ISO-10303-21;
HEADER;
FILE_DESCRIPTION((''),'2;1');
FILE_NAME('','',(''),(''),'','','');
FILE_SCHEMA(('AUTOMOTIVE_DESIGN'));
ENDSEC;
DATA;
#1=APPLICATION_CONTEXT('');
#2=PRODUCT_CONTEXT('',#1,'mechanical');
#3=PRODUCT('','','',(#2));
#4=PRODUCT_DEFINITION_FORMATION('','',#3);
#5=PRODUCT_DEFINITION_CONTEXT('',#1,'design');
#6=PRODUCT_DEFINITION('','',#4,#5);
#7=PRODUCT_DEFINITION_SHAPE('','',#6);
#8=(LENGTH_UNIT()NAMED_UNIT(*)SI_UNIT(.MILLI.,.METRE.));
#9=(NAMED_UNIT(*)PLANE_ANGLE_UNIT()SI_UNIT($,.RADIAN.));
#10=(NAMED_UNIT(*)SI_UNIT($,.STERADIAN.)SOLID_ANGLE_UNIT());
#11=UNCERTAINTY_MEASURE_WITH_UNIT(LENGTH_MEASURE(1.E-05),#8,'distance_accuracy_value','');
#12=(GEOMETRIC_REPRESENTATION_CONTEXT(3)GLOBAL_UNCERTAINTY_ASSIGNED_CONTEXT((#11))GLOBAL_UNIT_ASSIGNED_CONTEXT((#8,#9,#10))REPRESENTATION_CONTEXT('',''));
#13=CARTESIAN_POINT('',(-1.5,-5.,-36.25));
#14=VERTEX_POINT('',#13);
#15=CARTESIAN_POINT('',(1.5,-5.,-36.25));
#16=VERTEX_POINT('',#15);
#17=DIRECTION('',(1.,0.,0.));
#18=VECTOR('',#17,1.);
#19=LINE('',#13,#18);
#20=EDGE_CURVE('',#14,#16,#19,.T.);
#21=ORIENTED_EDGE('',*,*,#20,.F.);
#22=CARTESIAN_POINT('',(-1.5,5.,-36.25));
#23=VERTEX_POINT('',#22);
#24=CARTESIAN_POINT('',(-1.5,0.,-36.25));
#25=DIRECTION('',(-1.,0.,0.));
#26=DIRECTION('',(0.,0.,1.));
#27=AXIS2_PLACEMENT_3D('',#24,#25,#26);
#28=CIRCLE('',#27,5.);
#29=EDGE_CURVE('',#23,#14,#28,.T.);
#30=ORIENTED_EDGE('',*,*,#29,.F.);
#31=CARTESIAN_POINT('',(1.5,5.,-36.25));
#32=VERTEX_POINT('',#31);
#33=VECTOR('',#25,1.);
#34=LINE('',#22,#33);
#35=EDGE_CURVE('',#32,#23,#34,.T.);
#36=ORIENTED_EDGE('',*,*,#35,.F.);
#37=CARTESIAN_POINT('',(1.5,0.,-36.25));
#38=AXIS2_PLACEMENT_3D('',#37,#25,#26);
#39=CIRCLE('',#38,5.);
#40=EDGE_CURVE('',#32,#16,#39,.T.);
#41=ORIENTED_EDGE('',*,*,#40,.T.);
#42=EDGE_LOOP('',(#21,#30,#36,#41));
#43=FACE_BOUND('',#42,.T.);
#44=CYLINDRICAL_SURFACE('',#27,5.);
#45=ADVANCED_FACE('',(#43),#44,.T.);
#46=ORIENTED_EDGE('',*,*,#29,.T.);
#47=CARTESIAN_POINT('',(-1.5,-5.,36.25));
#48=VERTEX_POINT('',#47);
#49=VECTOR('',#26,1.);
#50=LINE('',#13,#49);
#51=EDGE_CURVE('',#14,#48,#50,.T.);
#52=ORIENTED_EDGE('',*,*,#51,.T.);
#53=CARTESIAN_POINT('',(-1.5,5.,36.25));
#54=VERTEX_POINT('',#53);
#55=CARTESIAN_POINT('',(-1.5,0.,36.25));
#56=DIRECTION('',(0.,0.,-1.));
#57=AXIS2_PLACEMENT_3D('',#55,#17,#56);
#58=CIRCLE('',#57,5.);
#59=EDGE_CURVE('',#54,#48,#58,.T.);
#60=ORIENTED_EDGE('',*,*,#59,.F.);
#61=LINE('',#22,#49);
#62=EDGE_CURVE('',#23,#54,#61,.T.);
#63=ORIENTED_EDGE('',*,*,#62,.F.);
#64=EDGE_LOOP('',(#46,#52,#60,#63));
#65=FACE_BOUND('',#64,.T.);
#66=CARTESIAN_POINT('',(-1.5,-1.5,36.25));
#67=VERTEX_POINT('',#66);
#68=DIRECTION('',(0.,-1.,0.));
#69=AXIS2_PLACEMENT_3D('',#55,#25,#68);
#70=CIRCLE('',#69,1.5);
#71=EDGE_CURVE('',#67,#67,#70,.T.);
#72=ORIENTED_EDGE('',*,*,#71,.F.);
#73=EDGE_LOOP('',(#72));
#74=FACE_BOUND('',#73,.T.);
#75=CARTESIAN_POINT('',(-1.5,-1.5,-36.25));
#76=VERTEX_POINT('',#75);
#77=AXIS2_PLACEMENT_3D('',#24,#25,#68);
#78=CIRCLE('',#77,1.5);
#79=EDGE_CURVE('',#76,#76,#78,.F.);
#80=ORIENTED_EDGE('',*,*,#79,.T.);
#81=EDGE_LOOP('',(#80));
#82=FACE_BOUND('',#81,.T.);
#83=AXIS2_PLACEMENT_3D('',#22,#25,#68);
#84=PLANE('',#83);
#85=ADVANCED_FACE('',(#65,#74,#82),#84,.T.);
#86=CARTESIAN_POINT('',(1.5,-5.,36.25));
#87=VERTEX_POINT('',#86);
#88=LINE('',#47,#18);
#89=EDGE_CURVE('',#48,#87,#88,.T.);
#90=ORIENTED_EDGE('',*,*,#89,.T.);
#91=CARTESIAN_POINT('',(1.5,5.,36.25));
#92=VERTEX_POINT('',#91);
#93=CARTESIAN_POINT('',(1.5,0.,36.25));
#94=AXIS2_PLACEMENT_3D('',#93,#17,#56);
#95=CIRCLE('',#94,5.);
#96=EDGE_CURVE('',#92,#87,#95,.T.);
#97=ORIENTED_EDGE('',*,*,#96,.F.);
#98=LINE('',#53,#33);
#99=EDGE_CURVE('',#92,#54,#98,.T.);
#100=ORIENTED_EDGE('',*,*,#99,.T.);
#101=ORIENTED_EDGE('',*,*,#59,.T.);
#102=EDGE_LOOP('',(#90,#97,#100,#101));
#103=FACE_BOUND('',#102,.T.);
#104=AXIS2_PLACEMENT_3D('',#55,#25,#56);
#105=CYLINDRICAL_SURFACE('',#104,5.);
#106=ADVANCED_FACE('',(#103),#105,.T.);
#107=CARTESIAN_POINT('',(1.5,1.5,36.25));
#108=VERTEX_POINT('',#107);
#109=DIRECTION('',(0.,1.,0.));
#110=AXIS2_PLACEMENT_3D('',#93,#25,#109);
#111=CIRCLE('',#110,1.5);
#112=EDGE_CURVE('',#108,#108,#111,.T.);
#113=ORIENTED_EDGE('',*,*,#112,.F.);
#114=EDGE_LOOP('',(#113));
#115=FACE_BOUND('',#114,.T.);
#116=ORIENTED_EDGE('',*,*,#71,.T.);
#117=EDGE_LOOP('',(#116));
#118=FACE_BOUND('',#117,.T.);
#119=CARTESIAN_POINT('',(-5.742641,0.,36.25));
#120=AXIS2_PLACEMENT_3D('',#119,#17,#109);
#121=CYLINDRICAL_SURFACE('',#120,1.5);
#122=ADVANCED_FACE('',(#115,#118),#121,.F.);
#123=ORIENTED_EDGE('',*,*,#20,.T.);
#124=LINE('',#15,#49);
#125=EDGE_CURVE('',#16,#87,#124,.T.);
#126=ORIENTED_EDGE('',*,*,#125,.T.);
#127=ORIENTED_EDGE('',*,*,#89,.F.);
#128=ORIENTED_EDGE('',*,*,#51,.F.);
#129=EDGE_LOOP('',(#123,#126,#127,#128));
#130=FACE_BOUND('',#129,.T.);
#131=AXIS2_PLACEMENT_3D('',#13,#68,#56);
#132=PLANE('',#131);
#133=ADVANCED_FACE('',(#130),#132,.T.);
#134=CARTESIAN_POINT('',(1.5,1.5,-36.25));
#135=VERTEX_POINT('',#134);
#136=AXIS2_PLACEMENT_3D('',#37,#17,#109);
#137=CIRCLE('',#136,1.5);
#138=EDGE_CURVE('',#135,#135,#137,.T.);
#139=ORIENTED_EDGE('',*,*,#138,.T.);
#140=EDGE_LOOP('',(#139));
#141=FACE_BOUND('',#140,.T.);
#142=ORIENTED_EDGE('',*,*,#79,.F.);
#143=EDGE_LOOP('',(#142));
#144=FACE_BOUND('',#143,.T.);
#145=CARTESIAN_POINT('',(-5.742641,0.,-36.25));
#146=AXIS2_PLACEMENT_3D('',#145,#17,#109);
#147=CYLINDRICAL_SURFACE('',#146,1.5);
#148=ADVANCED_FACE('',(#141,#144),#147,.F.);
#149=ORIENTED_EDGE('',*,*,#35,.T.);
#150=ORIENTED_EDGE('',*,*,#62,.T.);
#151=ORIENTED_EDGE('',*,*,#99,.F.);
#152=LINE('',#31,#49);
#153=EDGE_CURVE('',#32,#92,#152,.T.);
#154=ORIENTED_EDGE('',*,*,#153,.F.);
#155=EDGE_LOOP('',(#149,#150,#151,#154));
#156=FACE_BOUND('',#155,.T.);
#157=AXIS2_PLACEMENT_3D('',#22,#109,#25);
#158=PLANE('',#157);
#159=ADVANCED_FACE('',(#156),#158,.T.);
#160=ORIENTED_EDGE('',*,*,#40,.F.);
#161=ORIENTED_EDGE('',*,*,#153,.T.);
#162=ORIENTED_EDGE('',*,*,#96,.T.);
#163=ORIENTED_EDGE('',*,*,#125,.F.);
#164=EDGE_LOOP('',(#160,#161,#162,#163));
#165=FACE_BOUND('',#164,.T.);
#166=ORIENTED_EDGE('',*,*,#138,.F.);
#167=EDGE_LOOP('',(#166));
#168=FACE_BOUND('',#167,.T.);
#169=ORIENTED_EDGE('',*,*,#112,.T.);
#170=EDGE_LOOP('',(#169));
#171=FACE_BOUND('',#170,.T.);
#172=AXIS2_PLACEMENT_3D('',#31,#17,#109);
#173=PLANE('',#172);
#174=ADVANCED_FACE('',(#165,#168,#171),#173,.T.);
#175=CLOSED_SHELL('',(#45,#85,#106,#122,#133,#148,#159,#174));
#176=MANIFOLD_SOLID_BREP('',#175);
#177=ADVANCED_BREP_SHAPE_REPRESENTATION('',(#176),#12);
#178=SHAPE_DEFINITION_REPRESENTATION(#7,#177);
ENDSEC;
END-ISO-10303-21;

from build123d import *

# Parameters (mm, degrees)
BOSS_EXTRUDE1_DEPTH      = 36.25
BOSS_EXTRUDE1_DEPTH_BACK = 36.25
SKETCH2_W                = 3
SKETCH2_H                = 10
SKETCH3_W                = 3
SKETCH3_H                = 5
SKETCH4_R                = 1.5
CUT_EXTRUDE1_DEPTH       = 3


with BuildPart() as part:
    # Sketch2 → Boss-Extrude1 (new, two sides: drawn at the far end of the back side and taken through both)
    with BuildSketch(Plane.XY.offset(-BOSS_EXTRUDE1_DEPTH_BACK)):
        Rectangle(SKETCH2_W, SKETCH2_H)
    extrude(amount=BOSS_EXTRUDE1_DEPTH + BOSS_EXTRUDE1_DEPTH_BACK)

    # Sketch3 → Revolve1 (revolve)
    with BuildSketch(Plane(origin=(0, 0, -36.25), x_dir=(-1, 0, 0), z_dir=(0, 0, -1))):
        with Locations((0, -2.5)):
            Rectangle(SKETCH3_W, SKETCH3_H)
    revolve1 = revolve(axis=Axis((-1.5, 0, -36.25), (1, 0, 0)))

    # Sketch4 → Cut-Extrude1 (cut)
    with BuildSketch(Plane(origin=(1.5, 0, 0), x_dir=(0, 0, -1), z_dir=(1, 0, 0))):
        with Locations(Location((36.25, 0, 0), (0, 0, 90))):
            Circle(SKETCH4_R)
    cut_extrude1 = extrude(amount=-CUT_EXTRUDE1_DEPTH, mode=Mode.SUBTRACT)

    # Mirror1: Revolve1, Cut-Extrude1 across plane
    add(revolve1.mirror(Plane.XY))
    add(cut_extrude1.mirror(Plane.XY), mode=Mode.SUBTRACT)


solid = part.part
